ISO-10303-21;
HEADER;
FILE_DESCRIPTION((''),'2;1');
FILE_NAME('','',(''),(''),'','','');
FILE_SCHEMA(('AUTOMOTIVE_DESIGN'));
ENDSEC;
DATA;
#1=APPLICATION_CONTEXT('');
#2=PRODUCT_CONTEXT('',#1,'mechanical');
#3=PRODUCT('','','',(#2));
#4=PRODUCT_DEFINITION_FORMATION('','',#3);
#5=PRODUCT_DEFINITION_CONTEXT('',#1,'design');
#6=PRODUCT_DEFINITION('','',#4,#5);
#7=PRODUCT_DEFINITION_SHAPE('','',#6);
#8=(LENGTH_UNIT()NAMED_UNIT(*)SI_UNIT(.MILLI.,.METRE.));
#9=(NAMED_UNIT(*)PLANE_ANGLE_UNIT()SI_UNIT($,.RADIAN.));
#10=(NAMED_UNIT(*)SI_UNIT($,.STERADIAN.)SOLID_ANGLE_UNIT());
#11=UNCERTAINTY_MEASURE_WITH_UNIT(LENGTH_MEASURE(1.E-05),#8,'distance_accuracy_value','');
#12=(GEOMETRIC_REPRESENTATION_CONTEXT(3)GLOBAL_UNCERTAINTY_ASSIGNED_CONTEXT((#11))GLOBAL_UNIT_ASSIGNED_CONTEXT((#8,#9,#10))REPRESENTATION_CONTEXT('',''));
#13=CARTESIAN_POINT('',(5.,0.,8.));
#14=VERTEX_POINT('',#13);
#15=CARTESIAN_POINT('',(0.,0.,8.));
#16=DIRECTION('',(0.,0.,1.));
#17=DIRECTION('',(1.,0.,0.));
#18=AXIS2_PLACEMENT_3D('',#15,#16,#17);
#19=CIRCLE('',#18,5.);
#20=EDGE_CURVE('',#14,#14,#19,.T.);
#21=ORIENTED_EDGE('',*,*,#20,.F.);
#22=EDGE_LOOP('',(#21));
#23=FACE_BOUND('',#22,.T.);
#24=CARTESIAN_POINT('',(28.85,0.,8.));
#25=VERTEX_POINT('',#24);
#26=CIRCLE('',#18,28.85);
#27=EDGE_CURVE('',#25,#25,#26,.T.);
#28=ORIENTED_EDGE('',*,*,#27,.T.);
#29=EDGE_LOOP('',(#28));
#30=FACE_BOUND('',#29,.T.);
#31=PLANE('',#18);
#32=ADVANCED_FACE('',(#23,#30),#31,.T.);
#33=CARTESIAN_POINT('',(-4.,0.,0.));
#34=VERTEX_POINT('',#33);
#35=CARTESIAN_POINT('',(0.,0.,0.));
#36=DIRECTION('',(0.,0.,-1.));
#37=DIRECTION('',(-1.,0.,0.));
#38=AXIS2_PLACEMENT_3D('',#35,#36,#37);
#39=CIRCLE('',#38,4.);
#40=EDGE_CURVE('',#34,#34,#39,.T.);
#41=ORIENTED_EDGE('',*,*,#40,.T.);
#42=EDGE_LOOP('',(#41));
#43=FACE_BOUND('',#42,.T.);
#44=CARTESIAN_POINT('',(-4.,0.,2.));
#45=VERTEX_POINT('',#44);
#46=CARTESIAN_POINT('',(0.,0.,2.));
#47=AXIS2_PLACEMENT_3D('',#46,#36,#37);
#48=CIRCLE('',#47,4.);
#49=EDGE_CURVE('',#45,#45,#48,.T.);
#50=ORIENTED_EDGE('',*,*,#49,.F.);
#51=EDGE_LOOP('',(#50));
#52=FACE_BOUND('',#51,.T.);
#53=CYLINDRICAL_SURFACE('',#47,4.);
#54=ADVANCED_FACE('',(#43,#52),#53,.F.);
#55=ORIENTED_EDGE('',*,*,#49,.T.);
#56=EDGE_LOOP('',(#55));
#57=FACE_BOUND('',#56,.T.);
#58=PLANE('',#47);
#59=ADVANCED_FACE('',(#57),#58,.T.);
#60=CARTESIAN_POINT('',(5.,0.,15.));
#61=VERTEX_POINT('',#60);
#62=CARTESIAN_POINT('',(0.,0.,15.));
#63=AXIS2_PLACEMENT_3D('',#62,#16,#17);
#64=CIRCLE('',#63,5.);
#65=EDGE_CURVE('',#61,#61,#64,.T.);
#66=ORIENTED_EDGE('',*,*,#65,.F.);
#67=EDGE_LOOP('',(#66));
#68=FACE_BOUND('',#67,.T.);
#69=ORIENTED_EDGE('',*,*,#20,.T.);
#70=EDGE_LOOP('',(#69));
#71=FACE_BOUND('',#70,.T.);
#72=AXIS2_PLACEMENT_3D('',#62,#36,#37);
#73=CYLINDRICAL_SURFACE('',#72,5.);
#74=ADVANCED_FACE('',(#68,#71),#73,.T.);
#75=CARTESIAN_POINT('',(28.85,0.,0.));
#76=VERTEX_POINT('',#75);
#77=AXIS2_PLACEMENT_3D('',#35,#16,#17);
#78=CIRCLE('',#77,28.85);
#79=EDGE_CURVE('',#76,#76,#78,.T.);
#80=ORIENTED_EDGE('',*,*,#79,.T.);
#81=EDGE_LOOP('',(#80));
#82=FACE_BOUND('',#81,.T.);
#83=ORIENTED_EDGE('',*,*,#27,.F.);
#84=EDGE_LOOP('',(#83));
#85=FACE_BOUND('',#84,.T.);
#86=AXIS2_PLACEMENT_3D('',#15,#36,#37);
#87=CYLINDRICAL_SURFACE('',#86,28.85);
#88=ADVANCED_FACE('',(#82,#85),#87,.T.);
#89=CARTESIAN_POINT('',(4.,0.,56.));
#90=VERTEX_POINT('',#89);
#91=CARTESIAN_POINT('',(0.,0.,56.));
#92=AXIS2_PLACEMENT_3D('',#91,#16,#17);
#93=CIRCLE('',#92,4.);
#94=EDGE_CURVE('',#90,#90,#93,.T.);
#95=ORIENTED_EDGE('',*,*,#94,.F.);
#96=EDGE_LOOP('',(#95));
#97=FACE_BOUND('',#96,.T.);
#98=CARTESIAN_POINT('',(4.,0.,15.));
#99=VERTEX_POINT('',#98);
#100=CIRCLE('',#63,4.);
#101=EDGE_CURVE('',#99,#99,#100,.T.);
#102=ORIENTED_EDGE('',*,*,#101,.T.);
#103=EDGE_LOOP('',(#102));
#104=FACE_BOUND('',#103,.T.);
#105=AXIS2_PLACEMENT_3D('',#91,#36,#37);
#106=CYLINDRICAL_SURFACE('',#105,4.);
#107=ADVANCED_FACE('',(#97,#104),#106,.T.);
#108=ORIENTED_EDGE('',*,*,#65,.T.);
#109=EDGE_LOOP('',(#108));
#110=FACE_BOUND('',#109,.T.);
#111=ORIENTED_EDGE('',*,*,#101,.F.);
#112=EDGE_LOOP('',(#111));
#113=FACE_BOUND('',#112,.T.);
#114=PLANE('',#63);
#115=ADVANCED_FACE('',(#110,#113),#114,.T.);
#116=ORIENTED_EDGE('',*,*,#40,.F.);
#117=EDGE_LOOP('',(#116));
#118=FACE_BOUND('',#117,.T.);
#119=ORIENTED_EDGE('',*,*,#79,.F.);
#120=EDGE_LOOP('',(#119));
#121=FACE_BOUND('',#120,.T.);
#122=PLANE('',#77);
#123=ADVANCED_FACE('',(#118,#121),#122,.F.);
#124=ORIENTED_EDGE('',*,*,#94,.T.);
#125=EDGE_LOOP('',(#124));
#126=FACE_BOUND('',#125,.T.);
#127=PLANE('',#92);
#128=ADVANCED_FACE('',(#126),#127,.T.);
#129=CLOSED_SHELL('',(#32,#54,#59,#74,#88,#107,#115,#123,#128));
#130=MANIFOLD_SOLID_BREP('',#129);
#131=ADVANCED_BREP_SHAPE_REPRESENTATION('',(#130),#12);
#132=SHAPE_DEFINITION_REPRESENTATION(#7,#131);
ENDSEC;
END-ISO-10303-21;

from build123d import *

# Parameters (mm, degrees)
ESQUISSE1_R             = 28.85
BOSS_EXTRU_1_DEPTH      = 8
ESQUISSE3_R             = 4
ENL_V_MAT_EXTRU_1_DEPTH = 2
ESQUISSE2_R             = 5
ESQUISSE2_R_2           = 4
BOSS_EXTRU_2_DEPTH      = 7
ESQUISSE2_2_R           = 5
ESQUISSE2_2_R_2         = 4
BOSS_EXTRU_3_DEPTH      = 2
ESQUISSE2_3_R           = 5
ESQUISSE2_3_R_2         = 4
BOSS_EXTRU_4_DEPTH      = 4
ESQUISSE4_R             = 4
BOSS_EXTRU_6_DEPTH      = 48


with BuildPart() as part:
    # Esquisse1 → Boss.-Extru.1 (new body)
    with BuildSketch(Plane.XY):
        Circle(ESQUISSE1_R)
    extrude(amount=BOSS_EXTRU_1_DEPTH)

    # Esquisse3 → Enlèv. mat.-Extru.1 (cut)
    with BuildSketch(Plane(origin=(0, 0, 0), x_dir=(-1, 0, 0), z_dir=(0, 0, -1))):
        Circle(ESQUISSE3_R)
    extrude(amount=-ENL_V_MAT_EXTRU_1_DEPTH, mode=Mode.SUBTRACT)

    # Esquisse2 → Boss.-Extru.2 (add)
    with BuildSketch(Plane.XY.offset(8)):
        Circle(ESQUISSE2_R)
        Circle(ESQUISSE2_R_2, mode=Mode.SUBTRACT)
    extrude(amount=BOSS_EXTRU_2_DEPTH)

    # Esquisse2<2> → Boss.-Extru.3 (add)
    with BuildSketch(Plane.XY.offset(8)):
        Circle(ESQUISSE2_2_R)
        Circle(ESQUISSE2_2_R_2, mode=Mode.SUBTRACT)
    extrude(amount=BOSS_EXTRU_3_DEPTH)

    # Esquisse2<3> → Boss.-Extru.4 (add)
    with BuildSketch(Plane.XY.offset(8)):
        Circle(ESQUISSE2_3_R)
        Circle(ESQUISSE2_3_R_2, mode=Mode.SUBTRACT)
    extrude(amount=BOSS_EXTRU_4_DEPTH)

    # Esquisse4 → Boss.-Extru.6 (add)
    with BuildSketch(Plane.XY.offset(8)):
        Circle(ESQUISSE4_R)
    extrude(amount=BOSS_EXTRU_6_DEPTH)


solid = part.part
